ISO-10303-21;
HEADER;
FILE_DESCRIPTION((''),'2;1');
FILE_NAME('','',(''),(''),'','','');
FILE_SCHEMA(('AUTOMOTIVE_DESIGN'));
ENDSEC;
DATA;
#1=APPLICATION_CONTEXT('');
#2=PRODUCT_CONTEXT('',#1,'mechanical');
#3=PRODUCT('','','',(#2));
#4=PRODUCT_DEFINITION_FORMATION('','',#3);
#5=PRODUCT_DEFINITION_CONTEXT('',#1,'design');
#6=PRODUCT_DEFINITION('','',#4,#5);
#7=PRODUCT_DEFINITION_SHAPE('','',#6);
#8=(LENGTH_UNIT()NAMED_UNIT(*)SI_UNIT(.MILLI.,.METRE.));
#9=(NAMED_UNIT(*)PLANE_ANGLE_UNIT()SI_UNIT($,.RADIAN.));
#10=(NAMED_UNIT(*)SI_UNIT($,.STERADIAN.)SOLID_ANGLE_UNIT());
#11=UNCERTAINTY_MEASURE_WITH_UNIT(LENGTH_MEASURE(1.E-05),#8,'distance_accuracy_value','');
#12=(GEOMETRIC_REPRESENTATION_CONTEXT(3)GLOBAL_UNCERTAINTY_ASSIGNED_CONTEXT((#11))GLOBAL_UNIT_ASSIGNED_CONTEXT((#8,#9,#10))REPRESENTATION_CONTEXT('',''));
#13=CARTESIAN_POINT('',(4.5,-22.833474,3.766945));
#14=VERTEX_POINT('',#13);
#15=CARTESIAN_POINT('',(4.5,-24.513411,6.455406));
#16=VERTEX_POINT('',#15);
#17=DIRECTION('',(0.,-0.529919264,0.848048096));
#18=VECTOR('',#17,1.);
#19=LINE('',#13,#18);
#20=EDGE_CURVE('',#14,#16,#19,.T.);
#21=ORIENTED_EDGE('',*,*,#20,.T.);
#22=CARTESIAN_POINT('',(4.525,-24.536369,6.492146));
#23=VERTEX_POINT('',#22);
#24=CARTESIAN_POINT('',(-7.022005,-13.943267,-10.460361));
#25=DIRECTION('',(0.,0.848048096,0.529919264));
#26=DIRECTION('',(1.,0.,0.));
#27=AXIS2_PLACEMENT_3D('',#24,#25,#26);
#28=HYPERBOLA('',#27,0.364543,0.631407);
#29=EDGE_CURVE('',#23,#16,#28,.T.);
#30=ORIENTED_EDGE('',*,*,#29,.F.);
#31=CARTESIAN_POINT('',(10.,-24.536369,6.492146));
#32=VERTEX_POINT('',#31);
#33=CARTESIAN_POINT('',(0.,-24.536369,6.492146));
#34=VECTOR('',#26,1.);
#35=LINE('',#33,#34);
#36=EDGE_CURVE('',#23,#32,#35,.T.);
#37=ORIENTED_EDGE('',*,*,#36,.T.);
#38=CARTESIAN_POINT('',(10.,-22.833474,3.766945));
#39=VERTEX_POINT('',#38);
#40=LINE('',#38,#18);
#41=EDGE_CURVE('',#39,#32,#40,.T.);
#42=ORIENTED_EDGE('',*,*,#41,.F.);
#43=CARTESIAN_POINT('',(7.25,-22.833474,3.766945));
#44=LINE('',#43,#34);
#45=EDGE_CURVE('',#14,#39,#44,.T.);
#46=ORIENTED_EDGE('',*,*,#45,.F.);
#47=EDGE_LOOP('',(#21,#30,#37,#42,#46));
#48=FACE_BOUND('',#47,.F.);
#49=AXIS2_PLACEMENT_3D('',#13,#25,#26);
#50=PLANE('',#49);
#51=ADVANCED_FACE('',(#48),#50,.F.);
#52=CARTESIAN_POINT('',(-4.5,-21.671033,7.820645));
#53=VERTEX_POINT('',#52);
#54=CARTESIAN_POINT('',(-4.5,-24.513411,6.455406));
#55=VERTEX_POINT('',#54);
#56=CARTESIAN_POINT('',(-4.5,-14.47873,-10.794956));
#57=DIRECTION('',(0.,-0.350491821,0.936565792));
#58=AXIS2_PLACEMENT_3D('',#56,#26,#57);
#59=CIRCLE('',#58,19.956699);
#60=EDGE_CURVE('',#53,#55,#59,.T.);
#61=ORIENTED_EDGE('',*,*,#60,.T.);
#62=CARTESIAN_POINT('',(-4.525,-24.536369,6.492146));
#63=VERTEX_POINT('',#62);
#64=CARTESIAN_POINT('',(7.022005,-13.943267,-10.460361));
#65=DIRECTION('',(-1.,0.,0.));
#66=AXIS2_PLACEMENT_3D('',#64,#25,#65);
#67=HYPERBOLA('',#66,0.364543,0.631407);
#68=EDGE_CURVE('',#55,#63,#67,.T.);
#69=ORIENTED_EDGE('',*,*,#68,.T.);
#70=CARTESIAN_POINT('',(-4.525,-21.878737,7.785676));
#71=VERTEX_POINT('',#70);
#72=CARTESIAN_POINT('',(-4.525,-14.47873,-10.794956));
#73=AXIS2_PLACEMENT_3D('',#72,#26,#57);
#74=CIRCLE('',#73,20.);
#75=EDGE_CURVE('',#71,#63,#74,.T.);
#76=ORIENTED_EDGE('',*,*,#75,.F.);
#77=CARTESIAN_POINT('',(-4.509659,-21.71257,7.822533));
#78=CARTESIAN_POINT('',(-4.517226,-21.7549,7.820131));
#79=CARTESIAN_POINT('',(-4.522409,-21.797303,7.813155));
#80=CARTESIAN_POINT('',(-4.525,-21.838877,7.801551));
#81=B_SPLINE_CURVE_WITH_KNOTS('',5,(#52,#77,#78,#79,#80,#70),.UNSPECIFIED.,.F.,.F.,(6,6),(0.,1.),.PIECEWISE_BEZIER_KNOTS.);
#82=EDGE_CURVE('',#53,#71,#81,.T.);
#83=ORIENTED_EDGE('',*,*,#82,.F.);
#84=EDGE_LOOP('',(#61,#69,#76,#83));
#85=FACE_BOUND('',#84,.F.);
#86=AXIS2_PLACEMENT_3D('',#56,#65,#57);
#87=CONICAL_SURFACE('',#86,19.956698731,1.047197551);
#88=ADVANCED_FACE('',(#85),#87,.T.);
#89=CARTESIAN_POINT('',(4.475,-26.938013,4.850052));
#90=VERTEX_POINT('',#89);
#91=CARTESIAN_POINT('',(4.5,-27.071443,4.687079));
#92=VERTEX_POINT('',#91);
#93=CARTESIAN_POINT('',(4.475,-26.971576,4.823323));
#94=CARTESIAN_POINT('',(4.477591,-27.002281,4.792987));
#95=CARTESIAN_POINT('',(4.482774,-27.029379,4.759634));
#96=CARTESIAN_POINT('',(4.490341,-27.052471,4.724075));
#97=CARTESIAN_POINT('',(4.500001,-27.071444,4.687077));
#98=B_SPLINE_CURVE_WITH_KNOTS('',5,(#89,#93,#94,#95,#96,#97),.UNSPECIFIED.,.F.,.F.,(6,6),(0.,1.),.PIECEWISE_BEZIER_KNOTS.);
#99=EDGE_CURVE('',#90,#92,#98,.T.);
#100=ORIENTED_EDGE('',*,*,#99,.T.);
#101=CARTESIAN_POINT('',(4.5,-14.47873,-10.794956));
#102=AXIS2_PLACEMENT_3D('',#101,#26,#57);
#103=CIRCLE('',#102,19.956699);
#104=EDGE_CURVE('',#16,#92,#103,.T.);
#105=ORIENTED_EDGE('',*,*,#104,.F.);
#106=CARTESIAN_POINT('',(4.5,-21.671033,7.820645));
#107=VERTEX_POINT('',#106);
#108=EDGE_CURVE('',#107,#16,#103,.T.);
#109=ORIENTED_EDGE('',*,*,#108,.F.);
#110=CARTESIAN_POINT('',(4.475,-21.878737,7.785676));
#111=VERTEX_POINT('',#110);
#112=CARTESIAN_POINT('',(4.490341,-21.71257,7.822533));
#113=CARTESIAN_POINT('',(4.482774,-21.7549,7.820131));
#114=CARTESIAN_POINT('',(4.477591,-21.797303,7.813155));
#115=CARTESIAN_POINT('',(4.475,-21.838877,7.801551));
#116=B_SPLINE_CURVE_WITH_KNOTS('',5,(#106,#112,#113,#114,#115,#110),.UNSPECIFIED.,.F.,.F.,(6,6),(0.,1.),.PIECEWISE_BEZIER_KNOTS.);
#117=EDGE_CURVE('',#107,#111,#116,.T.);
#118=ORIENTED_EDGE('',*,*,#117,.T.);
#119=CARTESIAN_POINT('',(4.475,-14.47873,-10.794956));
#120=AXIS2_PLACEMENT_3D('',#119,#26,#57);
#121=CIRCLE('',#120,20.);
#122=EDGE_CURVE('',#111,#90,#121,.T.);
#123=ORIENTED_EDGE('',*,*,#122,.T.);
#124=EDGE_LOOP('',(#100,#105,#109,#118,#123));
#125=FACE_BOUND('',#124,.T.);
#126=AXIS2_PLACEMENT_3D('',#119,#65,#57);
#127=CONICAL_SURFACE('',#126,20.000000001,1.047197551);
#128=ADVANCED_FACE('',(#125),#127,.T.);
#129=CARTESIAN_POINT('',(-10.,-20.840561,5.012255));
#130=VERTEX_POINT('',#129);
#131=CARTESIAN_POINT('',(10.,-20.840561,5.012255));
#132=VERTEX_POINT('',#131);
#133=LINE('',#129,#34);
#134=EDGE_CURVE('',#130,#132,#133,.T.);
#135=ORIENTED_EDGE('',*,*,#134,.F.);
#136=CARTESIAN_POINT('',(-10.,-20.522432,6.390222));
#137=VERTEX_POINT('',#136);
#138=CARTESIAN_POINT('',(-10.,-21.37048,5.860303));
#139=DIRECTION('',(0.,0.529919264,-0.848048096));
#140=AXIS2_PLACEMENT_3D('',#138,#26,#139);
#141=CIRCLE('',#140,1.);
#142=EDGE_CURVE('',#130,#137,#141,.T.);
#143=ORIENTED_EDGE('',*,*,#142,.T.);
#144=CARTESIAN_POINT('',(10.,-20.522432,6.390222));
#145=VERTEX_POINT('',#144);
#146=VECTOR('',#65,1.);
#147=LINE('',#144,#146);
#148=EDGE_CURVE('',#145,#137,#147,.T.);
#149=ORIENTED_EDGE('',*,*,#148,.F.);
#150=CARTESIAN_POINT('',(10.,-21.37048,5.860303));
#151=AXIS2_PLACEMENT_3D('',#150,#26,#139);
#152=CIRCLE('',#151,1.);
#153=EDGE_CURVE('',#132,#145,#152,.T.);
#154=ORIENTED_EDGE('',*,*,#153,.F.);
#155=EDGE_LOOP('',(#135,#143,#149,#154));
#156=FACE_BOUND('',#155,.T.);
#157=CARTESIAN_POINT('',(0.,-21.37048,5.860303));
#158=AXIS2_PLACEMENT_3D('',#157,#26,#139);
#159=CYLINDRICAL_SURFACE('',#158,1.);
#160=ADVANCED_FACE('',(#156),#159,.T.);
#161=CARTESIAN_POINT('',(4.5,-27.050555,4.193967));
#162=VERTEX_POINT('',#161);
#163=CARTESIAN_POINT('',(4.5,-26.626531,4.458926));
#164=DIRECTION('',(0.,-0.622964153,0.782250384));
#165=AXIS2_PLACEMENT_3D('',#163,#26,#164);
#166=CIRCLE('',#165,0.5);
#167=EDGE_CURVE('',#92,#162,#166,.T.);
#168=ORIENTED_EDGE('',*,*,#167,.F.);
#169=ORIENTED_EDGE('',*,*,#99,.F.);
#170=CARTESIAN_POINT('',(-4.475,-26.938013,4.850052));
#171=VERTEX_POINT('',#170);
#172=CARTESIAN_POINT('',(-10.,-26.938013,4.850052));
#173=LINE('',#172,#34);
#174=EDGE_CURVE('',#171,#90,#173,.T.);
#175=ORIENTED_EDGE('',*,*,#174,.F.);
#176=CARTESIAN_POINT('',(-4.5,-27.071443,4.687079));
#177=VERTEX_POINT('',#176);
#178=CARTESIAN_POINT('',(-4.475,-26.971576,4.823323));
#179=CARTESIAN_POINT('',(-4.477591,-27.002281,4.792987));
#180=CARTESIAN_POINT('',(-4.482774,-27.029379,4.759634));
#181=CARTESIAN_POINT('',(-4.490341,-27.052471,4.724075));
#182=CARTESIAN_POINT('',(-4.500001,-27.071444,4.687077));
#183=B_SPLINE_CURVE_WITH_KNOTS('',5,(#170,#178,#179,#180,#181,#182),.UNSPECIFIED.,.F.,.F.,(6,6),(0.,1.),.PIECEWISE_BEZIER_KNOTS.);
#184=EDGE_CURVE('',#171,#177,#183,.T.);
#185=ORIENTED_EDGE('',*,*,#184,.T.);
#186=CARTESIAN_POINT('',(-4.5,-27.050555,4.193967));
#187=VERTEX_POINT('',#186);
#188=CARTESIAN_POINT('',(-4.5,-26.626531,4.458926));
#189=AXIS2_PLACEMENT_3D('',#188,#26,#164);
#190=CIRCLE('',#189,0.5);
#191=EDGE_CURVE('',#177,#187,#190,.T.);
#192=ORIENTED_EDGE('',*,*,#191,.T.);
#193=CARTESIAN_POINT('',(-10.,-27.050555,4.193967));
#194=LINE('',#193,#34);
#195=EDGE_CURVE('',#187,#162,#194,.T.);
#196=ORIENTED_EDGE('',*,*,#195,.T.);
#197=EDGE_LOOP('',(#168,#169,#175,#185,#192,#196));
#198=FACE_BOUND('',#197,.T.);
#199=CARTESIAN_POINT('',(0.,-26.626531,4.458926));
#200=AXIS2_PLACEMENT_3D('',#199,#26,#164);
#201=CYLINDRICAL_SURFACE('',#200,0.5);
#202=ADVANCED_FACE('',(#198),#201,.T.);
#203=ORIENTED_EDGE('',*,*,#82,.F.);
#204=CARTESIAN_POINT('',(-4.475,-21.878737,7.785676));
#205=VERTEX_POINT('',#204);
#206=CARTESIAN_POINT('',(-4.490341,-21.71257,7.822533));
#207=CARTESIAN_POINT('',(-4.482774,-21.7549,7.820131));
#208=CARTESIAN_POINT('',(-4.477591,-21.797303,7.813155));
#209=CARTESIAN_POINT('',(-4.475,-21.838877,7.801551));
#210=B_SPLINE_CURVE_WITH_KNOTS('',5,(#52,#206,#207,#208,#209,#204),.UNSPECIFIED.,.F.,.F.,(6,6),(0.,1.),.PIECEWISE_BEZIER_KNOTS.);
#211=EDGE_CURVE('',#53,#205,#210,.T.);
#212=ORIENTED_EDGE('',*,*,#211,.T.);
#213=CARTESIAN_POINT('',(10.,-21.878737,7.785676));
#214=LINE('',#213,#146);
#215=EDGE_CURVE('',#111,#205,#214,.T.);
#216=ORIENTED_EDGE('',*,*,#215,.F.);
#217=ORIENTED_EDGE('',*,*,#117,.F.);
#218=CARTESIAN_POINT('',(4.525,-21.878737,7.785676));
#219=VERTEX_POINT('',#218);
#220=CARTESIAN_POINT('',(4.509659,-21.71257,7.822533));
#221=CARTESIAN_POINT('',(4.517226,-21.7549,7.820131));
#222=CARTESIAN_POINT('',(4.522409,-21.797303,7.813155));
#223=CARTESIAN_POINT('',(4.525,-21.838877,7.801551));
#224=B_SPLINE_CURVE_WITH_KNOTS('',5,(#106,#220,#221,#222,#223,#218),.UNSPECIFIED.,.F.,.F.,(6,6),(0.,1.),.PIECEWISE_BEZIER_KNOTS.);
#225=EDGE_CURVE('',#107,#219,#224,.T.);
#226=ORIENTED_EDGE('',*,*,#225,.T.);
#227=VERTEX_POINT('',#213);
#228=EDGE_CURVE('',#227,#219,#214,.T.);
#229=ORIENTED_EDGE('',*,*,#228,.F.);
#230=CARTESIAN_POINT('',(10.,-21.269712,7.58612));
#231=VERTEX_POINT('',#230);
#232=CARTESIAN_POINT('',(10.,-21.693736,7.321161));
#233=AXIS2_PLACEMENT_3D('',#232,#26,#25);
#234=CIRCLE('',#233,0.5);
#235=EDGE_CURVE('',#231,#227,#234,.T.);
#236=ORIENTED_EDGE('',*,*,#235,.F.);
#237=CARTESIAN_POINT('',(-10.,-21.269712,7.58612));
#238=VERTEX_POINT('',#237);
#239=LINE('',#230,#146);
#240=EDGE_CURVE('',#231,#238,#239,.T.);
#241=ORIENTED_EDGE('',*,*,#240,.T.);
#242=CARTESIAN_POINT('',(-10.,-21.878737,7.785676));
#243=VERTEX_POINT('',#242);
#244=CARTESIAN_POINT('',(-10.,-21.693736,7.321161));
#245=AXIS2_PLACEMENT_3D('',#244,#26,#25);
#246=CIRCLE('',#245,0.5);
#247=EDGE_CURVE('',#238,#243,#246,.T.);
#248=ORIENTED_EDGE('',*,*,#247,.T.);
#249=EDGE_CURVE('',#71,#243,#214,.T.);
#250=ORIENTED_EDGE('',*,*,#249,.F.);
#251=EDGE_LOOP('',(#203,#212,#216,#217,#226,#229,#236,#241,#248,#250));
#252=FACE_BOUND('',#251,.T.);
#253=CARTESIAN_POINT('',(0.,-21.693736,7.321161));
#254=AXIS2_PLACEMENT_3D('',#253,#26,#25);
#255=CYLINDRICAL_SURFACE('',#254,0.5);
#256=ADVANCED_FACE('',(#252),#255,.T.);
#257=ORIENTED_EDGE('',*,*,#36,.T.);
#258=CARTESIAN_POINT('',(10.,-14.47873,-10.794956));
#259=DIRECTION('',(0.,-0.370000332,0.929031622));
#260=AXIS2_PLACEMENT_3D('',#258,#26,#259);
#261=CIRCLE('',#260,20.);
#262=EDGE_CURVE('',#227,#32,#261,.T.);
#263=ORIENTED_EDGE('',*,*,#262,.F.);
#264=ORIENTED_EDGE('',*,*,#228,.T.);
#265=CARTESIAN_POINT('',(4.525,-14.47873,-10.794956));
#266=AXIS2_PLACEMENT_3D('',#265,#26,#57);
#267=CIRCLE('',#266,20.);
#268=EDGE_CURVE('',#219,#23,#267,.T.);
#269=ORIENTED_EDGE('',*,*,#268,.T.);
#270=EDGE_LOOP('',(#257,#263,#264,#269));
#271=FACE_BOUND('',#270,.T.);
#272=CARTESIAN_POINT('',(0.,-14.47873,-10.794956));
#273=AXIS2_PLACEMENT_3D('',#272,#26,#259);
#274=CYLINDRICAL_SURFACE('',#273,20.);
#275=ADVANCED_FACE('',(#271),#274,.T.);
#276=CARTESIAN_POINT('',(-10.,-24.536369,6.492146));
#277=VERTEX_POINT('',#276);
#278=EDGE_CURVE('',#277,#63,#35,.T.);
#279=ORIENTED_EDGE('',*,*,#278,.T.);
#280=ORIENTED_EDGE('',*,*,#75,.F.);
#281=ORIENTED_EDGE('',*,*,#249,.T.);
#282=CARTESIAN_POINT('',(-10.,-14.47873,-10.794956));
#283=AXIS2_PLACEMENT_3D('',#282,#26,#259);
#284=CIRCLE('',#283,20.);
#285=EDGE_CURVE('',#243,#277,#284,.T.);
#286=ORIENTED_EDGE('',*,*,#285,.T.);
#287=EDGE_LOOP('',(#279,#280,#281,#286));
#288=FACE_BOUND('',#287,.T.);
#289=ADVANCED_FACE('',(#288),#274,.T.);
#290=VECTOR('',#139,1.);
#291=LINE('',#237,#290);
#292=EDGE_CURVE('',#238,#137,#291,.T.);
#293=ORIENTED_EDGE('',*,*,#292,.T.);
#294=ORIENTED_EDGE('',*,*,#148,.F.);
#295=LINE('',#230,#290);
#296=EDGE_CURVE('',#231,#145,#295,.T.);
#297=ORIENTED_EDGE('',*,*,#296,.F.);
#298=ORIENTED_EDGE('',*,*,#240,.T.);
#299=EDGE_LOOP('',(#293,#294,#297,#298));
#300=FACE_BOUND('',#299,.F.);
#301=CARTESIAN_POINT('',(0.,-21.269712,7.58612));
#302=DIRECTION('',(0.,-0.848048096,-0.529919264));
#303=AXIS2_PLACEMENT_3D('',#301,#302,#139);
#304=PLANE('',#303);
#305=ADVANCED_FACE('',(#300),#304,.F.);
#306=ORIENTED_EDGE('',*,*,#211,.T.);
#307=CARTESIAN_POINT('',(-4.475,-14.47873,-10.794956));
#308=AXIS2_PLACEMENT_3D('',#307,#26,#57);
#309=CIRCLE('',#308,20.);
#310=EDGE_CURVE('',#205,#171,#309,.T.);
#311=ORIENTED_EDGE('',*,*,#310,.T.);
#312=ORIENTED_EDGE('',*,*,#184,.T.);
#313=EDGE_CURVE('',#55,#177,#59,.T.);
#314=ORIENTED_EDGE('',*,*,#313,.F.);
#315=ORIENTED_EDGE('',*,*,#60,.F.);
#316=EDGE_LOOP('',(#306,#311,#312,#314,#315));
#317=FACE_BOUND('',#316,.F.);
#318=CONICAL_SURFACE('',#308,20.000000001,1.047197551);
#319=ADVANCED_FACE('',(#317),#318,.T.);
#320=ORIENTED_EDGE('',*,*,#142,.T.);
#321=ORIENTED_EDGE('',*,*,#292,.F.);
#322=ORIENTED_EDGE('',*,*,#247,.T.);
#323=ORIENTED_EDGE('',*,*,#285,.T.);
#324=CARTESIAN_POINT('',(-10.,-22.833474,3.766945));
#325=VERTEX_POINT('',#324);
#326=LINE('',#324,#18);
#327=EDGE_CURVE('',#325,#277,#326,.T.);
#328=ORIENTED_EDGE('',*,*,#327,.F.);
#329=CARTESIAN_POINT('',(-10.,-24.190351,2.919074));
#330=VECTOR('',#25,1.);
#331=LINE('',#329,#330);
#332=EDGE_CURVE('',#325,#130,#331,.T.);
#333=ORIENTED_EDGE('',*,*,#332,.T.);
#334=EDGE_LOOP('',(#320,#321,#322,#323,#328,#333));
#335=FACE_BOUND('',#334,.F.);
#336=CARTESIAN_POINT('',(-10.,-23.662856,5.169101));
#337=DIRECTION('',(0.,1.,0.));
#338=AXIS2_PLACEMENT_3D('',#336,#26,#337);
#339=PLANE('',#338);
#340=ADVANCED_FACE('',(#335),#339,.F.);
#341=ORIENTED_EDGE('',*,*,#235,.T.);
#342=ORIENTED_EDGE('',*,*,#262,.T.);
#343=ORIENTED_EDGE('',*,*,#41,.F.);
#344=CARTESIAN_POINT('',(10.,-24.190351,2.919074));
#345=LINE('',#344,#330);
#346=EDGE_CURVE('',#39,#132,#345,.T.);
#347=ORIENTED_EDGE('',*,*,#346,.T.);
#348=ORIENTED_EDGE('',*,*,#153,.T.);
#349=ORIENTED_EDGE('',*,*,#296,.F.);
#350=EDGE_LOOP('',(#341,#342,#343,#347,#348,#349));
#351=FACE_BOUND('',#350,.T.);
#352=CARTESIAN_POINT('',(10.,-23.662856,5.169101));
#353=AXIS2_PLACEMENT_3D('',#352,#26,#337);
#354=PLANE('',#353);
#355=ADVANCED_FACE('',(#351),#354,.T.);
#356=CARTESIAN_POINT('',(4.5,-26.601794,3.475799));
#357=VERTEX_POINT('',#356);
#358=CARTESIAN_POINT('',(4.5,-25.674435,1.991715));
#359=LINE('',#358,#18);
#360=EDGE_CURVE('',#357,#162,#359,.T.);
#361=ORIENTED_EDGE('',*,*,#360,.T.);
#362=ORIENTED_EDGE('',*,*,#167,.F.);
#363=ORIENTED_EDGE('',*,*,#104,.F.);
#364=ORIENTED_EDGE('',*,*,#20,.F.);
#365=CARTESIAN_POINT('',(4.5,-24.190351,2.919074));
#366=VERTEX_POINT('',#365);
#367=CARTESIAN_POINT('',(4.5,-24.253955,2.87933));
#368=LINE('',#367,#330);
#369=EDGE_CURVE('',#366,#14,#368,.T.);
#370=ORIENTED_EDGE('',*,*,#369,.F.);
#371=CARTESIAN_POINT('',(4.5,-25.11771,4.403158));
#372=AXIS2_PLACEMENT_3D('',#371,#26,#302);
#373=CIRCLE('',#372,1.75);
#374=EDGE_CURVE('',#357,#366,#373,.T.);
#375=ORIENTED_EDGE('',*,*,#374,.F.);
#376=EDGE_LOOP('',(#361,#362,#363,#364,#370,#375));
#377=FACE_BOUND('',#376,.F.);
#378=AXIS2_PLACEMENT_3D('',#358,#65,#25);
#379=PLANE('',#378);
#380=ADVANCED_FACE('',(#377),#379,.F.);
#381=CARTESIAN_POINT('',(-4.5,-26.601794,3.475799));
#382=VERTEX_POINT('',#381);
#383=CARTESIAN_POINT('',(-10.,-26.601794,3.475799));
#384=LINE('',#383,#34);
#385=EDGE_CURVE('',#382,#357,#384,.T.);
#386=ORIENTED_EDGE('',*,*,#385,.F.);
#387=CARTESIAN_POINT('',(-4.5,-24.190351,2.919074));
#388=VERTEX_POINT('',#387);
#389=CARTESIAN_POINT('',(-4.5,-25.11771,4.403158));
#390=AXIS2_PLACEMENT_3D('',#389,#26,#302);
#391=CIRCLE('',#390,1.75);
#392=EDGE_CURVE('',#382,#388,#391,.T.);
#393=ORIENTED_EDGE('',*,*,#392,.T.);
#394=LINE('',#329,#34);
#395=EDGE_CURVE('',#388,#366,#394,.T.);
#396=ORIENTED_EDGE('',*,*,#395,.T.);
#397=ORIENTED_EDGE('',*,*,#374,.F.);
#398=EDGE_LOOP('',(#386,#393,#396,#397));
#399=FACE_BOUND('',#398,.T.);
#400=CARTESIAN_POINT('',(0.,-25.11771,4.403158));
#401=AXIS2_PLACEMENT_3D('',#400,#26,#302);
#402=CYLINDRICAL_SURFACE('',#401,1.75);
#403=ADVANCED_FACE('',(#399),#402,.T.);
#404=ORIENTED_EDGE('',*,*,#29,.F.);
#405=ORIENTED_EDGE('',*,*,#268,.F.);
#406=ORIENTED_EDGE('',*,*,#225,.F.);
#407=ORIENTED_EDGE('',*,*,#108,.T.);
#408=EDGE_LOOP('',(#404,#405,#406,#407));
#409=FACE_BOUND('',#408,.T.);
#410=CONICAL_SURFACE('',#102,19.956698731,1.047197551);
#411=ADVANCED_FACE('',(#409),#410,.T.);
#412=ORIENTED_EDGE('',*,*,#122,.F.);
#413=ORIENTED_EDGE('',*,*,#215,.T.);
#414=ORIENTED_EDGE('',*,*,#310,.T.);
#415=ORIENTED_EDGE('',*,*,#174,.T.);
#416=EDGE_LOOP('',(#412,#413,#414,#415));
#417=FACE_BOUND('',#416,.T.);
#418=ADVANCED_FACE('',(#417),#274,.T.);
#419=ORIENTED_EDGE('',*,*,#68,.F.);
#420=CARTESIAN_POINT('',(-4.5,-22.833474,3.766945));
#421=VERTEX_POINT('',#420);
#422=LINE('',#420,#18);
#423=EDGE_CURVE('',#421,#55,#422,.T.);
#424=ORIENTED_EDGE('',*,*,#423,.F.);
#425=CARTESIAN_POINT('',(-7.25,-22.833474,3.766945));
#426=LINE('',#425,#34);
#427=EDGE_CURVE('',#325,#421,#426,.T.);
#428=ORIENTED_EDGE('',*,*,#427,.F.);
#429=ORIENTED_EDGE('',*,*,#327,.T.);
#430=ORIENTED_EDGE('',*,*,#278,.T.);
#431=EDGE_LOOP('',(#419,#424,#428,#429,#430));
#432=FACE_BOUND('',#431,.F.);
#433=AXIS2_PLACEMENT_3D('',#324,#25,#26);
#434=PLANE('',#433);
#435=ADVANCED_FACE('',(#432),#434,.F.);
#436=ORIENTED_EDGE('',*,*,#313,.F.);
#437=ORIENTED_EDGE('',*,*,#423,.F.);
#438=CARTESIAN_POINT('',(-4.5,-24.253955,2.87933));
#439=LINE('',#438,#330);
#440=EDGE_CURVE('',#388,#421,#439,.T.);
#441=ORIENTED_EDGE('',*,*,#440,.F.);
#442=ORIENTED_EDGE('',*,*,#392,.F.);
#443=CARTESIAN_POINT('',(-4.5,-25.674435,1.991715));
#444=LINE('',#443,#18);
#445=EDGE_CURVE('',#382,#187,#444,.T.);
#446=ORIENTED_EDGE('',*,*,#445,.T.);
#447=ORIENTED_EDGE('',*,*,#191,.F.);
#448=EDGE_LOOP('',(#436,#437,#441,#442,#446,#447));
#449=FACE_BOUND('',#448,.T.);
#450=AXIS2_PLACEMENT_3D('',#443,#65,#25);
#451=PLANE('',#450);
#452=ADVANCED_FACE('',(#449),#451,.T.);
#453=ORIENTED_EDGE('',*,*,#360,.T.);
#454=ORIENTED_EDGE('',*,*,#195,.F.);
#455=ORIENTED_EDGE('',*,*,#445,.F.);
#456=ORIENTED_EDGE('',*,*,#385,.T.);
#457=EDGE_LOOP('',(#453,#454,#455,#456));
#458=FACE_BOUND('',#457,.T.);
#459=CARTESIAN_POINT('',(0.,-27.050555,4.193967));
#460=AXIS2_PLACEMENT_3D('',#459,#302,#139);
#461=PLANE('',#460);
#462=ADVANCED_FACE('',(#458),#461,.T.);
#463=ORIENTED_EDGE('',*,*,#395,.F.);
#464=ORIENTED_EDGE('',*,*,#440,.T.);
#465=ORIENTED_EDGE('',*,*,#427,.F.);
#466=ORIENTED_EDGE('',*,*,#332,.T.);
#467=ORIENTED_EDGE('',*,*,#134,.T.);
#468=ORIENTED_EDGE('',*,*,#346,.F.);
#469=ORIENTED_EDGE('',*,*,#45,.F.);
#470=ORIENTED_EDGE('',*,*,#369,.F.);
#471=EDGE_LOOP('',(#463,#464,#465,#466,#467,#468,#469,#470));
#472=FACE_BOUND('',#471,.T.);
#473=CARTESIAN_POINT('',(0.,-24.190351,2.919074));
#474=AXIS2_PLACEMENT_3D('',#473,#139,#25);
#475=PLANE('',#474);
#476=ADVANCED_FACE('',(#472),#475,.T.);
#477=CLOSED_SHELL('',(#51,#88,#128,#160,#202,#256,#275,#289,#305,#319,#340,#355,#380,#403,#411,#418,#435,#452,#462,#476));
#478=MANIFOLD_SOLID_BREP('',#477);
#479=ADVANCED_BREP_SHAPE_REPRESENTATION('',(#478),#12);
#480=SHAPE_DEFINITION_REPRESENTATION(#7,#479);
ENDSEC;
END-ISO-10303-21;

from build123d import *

# Parameters (mm, degrees)
PAD012_DEPTH    = 10
SKETCH061_W     = 3.35
SKETCH061_H     = 5.5
POCKET011_DEPTH = 5.7141437505


with BuildPart() as part:
    # Sketch059 → Pad012 (new body, symmetric)
    with BuildSketch(Plane.YZ):
        with BuildLine():
            ThreePointArc((-21.8787366497, 7.7856764323), (-24.5162755283, 6.5038208287), (-26.9380130719, 4.8500516808))
            ThreePointArc((-26.9380130719, 4.8500516808), (-27.1193333278, 4.5434596832), (-27.0505550432, 4.1939668567))
            Line((-27.0505550432, 4.1939668567), (-26.6017940465, 3.4757991384))
            ThreePointArc((-26.6017940465, 3.4757991384), (-25.5113742234, 2.6980102375), (-24.1903511659, 2.9190736826))
            Line((-24.1903511659, 2.9190736826), (-20.840561186, 5.0122547763))
            ThreePointArc((-20.840561186, 5.0122547763), (-20.3961103855, 5.6353518181), (-20.5224323541, 6.3902221367))
            Line((-21.2697124354, 7.5861202536), (-20.5224323541, 6.3902221367))
            ThreePointArc((-21.2697124354, 7.5861202536), (-21.5380484263, 7.7963039987), (-21.8787366497, 7.7856764323))
        make_face()
    extrude(amount=PAD012_DEPTH, both=True)

    # Sketch061 (on Face6 of Pad012) → Pocket011 (cut, through all)
    with BuildSketch(Plane(origin=(0, -8.1048226153, 12.9704274831), x_dir=(0, 0.8480480962, 0.5299192642), z_dir=(0, 0.5299192642, -0.8480480962))):
        with Locations((-19.0427078734, 7.25)):
            Rectangle(SKETCH061_W, SKETCH061_H)
        with Locations((-19.0427078734, -7.25)):
            Rectangle(SKETCH061_W, SKETCH061_H)
    extrude(amount=-POCKET011_DEPTH, mode=Mode.SUBTRACT)

    # SubtractivePipe002: sweep along a path in Sketch063
    with BuildLine(Plane.YZ.offset(4.5)) as subtractivepipe002_path:
        ThreePointArc((-21.4885664226, 7.9363598462), (-24.5285349663, 6.4967015301), (-27.284244153, 4.5679476082))
    # Sketch062 (on DatumPlane) → SubtractivePipe002 (sweep, cut)
    with BuildSketch(Plane(origin=(4.5, -26.9380130719, 4.8500516808), x_dir=(0, -0.6229641536, 0.782250384), z_dir=(0, -0.782250384, -0.6229641536))):
        Polygon((0, -0.025), (0, 0.025), (-0.0433012702, 0), align=None)
    subtractivepipe002 = sweep(path=subtractivepipe002_path.line, mode=Mode.SUBTRACT)

    # Mirrored002: SubtractivePipe002 across YZ
    add(subtractivepipe002.mirror(Plane.YZ), mode=Mode.SUBTRACT)


solid = part.part
